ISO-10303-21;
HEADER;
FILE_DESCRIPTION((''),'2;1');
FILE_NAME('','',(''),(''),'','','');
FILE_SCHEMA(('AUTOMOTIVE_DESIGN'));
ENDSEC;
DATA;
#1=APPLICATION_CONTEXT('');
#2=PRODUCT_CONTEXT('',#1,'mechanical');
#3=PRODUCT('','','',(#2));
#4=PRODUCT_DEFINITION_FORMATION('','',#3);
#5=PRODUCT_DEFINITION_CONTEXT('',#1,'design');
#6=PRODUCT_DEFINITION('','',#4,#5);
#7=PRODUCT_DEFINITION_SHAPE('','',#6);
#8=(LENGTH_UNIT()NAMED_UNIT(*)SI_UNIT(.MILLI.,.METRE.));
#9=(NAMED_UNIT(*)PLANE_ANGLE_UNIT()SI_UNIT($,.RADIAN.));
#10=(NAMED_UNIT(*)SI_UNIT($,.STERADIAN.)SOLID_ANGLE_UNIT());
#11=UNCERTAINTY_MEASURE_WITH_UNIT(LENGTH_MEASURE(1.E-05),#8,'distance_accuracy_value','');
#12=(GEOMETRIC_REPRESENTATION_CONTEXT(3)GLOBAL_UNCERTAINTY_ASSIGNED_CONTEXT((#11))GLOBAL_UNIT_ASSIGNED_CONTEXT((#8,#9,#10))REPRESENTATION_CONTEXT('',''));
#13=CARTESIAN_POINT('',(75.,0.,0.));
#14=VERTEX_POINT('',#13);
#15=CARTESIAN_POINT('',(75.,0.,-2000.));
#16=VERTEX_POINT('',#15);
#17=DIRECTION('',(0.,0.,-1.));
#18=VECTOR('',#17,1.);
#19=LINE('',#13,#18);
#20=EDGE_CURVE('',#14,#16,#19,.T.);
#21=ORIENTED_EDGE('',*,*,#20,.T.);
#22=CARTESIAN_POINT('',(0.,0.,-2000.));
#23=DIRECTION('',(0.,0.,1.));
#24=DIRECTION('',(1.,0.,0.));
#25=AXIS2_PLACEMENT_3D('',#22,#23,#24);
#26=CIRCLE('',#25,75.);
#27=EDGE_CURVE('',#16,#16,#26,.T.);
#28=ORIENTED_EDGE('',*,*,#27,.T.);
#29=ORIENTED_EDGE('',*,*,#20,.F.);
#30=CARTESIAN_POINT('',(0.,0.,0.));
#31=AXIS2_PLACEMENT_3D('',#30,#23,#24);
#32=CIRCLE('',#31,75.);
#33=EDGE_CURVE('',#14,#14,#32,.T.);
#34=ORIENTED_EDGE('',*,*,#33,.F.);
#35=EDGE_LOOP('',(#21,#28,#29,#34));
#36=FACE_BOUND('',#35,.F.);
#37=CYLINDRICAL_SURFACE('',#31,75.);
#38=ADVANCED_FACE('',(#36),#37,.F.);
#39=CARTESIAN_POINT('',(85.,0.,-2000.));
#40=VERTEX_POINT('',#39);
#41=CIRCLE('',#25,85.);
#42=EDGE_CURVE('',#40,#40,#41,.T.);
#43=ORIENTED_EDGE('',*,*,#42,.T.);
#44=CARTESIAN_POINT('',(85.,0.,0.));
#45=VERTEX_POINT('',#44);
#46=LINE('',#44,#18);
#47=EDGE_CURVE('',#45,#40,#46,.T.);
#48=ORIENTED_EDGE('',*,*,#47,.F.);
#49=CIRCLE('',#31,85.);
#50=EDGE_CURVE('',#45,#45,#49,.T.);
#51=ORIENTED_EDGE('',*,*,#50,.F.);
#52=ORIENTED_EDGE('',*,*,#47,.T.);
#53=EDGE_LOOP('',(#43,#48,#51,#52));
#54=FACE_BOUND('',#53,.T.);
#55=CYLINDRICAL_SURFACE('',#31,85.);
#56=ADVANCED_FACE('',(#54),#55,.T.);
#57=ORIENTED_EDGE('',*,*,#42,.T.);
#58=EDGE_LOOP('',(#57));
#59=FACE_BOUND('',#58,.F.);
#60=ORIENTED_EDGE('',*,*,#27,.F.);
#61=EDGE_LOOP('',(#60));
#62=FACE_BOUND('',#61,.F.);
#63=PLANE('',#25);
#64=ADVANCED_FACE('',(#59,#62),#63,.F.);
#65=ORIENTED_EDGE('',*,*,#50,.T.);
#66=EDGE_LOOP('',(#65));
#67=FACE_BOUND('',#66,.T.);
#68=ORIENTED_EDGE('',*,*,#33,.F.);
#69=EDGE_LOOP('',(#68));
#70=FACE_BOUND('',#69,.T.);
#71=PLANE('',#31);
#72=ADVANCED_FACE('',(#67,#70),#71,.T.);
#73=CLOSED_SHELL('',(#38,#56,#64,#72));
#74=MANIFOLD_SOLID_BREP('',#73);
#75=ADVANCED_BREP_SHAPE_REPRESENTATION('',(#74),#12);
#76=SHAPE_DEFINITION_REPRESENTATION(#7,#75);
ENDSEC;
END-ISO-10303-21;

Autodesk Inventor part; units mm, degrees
ref_plane "YZ Plane" through (0, 0, 0) normal (1, 0, 0) x (0, 1, 0)
ref_plane "XZ Plane" through (0, 0, 0) normal (0, 1, 0) x (-1, 0, 0)
ref_plane "XY Plane" through (0, 0, 0) normal (0, 0, 1) x (1, 0, 0)
sketch "Schizzo1" plane through (0, 0, 0) normal (0, 0, 1) x (1, 0, 0)
  circle A0 centre (0, 0) radius 75
  circle A1 centre (0, 0) radius 85
  dimension "d0" = 150
  dimension "d1" = 170
extrude "Estrusione1" add sketch "Schizzo1" against normal blind 2000
properties part number "05-22-2023 verga"
